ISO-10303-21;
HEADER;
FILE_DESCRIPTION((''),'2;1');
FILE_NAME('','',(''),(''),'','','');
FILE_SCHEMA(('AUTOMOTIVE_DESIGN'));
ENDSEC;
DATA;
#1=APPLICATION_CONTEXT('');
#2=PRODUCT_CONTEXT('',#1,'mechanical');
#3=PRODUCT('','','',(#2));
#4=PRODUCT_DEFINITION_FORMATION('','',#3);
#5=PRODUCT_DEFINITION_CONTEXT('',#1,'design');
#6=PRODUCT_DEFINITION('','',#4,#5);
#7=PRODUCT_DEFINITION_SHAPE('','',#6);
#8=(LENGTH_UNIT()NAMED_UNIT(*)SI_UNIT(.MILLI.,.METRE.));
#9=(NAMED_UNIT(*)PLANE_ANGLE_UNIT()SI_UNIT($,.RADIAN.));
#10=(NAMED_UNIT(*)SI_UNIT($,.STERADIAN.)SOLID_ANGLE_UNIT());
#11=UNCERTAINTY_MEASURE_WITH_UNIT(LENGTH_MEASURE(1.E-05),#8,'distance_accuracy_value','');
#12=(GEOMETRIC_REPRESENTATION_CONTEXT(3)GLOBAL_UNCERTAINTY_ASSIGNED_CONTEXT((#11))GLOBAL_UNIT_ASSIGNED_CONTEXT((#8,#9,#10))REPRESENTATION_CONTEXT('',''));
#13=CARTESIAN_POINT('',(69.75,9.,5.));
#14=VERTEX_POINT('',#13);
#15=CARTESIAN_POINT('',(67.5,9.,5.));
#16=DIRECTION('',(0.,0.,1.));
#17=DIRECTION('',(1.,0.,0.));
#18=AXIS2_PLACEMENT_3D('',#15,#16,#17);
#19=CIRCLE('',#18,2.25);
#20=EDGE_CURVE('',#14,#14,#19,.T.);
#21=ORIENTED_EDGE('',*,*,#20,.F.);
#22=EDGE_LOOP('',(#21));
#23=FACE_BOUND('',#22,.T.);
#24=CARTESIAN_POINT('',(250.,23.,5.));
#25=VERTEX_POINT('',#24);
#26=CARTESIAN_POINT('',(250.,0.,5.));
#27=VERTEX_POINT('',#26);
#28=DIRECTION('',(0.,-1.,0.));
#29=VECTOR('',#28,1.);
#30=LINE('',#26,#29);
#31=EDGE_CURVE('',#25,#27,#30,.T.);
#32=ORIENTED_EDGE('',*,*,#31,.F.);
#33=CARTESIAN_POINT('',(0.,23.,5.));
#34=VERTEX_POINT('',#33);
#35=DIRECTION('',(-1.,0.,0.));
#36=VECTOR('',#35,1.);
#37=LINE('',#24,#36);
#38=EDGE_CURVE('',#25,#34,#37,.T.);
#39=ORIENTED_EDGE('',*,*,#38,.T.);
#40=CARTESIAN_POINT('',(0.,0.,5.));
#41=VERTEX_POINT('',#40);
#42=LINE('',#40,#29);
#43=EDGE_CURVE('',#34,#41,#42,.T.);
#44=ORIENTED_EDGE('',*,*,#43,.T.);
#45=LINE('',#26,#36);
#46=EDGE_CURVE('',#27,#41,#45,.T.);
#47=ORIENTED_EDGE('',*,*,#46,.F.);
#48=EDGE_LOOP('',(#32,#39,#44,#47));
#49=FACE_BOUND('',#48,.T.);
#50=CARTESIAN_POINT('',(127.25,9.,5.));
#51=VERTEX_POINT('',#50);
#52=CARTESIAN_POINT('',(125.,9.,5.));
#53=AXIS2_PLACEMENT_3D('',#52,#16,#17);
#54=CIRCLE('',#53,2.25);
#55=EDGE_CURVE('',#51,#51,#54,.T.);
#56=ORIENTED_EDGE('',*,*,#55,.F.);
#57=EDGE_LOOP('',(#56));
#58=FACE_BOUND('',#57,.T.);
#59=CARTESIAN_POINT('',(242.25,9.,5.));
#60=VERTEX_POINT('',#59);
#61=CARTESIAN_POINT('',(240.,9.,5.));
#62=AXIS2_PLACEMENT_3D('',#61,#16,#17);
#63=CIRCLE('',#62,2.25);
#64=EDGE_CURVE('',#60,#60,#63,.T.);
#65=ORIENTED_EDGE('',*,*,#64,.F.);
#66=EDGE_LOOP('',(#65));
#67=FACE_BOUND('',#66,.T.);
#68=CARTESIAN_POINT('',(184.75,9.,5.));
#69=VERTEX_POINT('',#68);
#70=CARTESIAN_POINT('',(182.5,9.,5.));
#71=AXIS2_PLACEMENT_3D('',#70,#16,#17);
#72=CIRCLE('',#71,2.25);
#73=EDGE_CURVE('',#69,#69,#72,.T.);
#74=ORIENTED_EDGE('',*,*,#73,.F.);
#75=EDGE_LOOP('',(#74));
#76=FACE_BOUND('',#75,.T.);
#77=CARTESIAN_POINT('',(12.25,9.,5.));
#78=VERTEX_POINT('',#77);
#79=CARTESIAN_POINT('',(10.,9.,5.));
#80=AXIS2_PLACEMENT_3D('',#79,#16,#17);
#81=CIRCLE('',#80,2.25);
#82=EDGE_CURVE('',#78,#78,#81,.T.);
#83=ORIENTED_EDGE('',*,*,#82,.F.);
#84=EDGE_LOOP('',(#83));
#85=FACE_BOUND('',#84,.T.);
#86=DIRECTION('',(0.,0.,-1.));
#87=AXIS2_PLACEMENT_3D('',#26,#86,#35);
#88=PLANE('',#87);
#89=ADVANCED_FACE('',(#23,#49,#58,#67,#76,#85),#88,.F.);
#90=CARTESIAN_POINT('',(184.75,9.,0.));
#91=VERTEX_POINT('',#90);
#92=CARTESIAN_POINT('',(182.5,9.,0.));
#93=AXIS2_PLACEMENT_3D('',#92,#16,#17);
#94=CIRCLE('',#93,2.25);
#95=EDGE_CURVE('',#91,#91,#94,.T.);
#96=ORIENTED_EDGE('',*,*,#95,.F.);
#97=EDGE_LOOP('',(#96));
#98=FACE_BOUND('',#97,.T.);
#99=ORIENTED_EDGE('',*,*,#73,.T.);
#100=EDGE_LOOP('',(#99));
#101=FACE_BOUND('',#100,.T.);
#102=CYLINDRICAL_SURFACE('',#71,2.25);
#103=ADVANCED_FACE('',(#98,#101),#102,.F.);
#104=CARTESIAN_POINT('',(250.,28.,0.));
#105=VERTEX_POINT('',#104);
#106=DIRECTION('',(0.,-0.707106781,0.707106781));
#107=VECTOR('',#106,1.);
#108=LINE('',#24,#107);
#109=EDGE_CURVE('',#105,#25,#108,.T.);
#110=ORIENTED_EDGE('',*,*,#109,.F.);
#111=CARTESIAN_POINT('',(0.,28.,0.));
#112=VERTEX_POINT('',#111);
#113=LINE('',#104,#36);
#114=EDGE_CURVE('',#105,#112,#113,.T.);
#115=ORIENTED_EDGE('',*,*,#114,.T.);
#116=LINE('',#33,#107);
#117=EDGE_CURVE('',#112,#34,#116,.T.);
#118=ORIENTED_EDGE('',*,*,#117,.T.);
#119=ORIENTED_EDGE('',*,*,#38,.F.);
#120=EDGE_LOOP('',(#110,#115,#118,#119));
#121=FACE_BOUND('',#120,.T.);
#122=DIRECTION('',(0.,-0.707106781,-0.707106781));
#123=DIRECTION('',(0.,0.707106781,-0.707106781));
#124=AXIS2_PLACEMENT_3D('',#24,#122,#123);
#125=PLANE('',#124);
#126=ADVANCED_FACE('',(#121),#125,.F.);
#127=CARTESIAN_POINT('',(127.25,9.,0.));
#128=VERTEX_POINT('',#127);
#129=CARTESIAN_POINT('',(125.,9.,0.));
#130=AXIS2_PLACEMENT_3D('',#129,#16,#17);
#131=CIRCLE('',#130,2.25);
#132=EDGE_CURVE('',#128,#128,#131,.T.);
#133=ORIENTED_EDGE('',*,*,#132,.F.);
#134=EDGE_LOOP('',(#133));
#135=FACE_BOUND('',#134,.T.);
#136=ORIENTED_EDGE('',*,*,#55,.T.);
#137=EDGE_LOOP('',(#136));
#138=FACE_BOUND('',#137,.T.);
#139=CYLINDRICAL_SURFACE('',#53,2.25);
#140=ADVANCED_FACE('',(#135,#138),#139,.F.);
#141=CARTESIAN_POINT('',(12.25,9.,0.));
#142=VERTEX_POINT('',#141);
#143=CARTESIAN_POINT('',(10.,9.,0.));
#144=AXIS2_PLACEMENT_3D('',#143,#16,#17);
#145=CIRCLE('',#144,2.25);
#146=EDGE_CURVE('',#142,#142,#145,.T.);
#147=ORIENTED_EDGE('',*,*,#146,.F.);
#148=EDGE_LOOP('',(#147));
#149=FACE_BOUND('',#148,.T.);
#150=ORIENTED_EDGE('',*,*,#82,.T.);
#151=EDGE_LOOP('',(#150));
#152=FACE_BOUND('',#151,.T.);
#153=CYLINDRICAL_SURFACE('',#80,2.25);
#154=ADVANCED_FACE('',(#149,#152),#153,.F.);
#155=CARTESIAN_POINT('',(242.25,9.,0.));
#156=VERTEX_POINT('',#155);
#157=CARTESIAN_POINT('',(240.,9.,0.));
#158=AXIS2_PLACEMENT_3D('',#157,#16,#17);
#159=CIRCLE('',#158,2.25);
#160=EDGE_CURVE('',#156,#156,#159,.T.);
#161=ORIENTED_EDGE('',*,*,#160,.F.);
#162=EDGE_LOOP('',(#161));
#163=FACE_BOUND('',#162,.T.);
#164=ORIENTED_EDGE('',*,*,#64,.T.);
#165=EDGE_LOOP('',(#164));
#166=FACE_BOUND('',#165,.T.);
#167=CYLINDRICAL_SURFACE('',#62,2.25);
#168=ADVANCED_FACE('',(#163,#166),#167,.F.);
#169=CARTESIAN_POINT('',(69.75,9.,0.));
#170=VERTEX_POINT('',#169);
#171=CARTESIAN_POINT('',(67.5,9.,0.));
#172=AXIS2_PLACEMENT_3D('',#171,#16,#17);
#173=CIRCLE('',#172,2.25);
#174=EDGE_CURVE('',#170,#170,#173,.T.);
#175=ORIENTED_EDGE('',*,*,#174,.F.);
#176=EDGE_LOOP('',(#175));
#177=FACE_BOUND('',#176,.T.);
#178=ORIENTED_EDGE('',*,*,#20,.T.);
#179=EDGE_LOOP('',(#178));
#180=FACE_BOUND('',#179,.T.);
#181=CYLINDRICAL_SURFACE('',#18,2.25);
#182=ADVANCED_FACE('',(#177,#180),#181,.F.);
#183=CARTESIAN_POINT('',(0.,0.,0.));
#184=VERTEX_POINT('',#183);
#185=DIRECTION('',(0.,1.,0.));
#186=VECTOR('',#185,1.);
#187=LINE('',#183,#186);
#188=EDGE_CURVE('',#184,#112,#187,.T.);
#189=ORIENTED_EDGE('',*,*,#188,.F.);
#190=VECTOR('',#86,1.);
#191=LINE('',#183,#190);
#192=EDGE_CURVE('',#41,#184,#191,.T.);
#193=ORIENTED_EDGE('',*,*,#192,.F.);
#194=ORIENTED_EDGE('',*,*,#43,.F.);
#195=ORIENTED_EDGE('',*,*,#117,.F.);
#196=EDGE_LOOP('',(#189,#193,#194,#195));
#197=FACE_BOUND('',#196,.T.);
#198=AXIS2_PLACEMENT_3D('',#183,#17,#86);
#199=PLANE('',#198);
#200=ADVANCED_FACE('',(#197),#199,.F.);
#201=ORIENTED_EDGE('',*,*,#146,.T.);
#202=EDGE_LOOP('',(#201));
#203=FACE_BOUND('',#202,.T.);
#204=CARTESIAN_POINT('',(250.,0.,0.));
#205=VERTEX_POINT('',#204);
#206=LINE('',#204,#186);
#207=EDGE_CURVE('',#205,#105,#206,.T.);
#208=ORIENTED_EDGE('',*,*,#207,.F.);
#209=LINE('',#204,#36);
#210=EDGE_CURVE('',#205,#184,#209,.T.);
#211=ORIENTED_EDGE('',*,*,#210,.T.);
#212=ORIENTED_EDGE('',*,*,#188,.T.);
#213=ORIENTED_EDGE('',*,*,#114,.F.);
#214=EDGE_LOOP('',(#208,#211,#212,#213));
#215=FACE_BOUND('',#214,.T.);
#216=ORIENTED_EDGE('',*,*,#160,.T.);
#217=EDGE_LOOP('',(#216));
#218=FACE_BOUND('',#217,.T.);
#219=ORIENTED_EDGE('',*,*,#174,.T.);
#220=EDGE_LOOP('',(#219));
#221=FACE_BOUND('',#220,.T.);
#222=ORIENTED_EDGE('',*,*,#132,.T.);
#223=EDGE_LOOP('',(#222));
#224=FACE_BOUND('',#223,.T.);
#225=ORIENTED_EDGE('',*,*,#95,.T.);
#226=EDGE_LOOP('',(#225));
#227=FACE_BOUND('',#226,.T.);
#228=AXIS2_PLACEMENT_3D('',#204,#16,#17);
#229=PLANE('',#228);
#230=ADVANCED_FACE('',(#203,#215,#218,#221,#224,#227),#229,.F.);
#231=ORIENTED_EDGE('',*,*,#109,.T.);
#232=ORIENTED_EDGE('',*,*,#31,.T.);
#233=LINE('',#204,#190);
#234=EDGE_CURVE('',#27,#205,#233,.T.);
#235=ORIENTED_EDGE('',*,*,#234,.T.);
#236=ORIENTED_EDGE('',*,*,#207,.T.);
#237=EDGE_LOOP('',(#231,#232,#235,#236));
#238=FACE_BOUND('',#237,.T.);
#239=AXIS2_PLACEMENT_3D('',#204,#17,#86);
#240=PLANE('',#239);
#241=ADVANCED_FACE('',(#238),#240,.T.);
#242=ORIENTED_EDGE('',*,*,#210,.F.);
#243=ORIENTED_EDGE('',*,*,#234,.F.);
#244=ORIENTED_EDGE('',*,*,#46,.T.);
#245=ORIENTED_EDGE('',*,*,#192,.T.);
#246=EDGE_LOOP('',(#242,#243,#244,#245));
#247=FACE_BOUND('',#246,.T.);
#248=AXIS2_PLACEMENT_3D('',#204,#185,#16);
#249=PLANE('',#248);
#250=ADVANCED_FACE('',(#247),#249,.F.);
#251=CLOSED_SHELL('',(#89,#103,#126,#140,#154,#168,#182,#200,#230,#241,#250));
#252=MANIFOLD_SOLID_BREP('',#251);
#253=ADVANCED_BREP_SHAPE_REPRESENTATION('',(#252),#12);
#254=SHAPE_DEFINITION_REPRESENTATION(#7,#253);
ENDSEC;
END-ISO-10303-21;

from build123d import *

# Parameters (mm, degrees)
BOSS_EXTRUDE1_DEPTH  = 250
M4_CLEARANCE_HOLE1_D = 4.5
LPATTERN1_COUNT      = 5
LPATTERN1_PITCH      = 57.5


with BuildPart() as part:
    # Sketch1 → Boss-Extrude1 (new body)
    with BuildSketch(Plane(origin=(0, 0, 0), x_dir=(0, 0, -1), z_dir=(1, 0, 0))):
        Polygon((-5, 23), (0, 28), (0, 0), (-5, 0), align=None)
    extrude(amount=BOSS_EXTRUDE1_DEPTH)

    # M4 Clearance Hole1 (through all)
    with Locations(Plane.XY.offset(5)):
        with Locations((10, 9)):
            m4_clearance_hole1 = Hole(M4_CLEARANCE_HOLE1_D / 2)

    # LPattern1: M4 Clearance Hole1 ×5
    with Locations(*[(i * LPATTERN1_PITCH, 0, 0) for i in range(1, LPATTERN1_COUNT)]):
        add(m4_clearance_hole1, mode=Mode.SUBTRACT)


solid = part.part
